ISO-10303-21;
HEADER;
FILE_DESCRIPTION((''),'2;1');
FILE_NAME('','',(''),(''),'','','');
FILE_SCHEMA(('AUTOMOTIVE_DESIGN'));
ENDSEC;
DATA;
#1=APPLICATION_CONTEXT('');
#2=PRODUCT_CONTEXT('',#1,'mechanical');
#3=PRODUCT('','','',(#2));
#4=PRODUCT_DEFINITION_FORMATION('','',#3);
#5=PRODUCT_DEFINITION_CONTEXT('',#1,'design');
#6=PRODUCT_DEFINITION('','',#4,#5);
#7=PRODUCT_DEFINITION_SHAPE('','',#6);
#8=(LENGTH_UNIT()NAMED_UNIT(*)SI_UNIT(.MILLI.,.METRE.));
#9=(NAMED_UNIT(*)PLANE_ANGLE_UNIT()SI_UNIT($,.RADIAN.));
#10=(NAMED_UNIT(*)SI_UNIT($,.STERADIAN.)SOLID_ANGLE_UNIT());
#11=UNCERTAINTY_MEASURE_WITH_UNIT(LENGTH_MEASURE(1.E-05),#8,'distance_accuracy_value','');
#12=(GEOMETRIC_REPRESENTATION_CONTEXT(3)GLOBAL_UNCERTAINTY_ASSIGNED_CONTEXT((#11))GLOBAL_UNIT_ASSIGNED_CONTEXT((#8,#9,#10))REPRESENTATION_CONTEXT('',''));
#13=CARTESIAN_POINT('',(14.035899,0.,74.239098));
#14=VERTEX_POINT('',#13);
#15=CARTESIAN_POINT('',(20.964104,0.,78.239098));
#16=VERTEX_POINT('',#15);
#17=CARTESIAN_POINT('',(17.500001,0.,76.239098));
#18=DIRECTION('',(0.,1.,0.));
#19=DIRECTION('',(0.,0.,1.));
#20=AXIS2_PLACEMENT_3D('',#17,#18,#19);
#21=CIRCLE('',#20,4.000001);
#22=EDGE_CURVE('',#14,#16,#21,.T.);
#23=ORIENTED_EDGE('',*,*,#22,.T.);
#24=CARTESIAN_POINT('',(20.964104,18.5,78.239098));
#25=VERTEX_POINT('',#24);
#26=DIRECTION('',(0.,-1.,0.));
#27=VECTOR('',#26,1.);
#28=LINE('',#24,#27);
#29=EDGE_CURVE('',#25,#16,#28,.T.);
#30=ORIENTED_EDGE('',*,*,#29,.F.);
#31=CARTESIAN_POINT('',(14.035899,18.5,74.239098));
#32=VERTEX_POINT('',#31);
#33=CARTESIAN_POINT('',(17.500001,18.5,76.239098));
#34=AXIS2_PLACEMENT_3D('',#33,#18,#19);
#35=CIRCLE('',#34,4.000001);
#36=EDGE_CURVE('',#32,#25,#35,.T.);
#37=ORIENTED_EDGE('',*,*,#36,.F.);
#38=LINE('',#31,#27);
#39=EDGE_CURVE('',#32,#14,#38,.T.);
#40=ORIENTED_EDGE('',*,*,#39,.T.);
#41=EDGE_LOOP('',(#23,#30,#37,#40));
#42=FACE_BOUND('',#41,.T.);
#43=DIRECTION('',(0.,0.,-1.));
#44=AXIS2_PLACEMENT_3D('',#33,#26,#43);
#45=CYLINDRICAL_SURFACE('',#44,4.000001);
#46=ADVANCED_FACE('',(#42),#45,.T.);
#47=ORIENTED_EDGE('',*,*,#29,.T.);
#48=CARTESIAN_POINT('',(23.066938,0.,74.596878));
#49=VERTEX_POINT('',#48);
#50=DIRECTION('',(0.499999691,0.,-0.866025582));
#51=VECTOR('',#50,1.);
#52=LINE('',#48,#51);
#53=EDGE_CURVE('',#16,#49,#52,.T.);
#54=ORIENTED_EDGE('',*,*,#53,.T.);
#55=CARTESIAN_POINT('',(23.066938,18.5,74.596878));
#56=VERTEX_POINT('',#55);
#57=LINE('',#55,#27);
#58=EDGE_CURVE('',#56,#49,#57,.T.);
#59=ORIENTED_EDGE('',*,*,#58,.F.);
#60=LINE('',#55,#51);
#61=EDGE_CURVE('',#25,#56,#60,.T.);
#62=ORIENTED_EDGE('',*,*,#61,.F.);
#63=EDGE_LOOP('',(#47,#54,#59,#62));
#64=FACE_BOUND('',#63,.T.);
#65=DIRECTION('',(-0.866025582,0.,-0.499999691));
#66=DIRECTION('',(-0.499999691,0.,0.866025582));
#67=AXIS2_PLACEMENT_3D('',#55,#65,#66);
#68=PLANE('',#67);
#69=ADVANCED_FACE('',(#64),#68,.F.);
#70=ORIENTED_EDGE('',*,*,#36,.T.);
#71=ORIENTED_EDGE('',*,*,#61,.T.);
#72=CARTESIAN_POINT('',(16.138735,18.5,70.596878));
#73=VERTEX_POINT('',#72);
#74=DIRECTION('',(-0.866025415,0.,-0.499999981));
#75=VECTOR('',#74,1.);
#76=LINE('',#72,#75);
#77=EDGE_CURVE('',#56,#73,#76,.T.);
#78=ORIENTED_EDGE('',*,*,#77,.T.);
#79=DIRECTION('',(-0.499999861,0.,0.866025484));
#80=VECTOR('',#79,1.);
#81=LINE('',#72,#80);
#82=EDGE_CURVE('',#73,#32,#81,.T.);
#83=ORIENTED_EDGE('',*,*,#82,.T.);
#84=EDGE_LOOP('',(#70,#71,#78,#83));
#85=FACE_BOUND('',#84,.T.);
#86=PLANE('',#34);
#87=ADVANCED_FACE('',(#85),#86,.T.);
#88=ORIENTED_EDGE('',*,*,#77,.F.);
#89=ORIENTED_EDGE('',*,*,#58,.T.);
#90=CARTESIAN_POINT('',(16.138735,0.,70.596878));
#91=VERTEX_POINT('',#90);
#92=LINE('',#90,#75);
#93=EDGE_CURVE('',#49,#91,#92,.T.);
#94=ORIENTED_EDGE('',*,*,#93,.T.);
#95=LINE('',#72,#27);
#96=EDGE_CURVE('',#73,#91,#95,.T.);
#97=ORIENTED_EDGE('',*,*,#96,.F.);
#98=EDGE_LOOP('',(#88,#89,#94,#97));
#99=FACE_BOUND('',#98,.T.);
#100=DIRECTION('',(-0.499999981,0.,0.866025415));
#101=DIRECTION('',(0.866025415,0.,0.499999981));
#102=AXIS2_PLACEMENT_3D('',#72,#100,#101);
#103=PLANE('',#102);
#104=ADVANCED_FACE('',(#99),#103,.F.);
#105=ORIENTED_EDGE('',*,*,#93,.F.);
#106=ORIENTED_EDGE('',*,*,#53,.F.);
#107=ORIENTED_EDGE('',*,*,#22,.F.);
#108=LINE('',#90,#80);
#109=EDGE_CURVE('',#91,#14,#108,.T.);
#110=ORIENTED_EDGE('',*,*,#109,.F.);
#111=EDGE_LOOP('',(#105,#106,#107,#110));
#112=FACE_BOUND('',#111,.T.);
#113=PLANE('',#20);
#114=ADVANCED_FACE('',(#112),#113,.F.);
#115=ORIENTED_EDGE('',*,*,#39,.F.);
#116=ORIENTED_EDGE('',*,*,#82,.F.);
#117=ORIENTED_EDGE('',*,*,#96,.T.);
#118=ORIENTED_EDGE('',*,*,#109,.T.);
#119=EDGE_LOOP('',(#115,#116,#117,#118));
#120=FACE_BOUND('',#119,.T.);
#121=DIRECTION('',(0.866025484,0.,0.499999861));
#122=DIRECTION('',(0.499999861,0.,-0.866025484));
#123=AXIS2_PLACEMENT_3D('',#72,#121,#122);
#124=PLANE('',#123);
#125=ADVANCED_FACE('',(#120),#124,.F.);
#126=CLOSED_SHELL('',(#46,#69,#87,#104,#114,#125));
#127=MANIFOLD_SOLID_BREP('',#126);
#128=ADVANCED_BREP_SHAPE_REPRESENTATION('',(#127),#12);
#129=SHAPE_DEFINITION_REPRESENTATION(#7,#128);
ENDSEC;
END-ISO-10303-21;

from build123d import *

# Parameters (mm, degrees)
BOSS_EXTRUDE1_DEPTH = 18.5


with BuildPart() as part:
    # Sketch1 → Boss-Extrude1 (new body)
    with BuildSketch(Plane(origin=(0, 0, 0), x_dir=(1, 0, 0), z_dir=(0, 1, 0))):
        with BuildLine():
            Line((16.138734818, -70.596878052), (14.035899162, -74.239097595))
            ThreePointArc((14.035899162, -74.239097595), (15.500001311, -79.70320007), (20.964103699, -78.239097595))
            Line((20.964103699, -78.239097595), (23.0669384, -74.596878052))
            Line((23.0669384, -74.596878052), (16.138734818, -70.596878052))
        make_face()
    extrude(amount=BOSS_EXTRUDE1_DEPTH)


solid = part.part
